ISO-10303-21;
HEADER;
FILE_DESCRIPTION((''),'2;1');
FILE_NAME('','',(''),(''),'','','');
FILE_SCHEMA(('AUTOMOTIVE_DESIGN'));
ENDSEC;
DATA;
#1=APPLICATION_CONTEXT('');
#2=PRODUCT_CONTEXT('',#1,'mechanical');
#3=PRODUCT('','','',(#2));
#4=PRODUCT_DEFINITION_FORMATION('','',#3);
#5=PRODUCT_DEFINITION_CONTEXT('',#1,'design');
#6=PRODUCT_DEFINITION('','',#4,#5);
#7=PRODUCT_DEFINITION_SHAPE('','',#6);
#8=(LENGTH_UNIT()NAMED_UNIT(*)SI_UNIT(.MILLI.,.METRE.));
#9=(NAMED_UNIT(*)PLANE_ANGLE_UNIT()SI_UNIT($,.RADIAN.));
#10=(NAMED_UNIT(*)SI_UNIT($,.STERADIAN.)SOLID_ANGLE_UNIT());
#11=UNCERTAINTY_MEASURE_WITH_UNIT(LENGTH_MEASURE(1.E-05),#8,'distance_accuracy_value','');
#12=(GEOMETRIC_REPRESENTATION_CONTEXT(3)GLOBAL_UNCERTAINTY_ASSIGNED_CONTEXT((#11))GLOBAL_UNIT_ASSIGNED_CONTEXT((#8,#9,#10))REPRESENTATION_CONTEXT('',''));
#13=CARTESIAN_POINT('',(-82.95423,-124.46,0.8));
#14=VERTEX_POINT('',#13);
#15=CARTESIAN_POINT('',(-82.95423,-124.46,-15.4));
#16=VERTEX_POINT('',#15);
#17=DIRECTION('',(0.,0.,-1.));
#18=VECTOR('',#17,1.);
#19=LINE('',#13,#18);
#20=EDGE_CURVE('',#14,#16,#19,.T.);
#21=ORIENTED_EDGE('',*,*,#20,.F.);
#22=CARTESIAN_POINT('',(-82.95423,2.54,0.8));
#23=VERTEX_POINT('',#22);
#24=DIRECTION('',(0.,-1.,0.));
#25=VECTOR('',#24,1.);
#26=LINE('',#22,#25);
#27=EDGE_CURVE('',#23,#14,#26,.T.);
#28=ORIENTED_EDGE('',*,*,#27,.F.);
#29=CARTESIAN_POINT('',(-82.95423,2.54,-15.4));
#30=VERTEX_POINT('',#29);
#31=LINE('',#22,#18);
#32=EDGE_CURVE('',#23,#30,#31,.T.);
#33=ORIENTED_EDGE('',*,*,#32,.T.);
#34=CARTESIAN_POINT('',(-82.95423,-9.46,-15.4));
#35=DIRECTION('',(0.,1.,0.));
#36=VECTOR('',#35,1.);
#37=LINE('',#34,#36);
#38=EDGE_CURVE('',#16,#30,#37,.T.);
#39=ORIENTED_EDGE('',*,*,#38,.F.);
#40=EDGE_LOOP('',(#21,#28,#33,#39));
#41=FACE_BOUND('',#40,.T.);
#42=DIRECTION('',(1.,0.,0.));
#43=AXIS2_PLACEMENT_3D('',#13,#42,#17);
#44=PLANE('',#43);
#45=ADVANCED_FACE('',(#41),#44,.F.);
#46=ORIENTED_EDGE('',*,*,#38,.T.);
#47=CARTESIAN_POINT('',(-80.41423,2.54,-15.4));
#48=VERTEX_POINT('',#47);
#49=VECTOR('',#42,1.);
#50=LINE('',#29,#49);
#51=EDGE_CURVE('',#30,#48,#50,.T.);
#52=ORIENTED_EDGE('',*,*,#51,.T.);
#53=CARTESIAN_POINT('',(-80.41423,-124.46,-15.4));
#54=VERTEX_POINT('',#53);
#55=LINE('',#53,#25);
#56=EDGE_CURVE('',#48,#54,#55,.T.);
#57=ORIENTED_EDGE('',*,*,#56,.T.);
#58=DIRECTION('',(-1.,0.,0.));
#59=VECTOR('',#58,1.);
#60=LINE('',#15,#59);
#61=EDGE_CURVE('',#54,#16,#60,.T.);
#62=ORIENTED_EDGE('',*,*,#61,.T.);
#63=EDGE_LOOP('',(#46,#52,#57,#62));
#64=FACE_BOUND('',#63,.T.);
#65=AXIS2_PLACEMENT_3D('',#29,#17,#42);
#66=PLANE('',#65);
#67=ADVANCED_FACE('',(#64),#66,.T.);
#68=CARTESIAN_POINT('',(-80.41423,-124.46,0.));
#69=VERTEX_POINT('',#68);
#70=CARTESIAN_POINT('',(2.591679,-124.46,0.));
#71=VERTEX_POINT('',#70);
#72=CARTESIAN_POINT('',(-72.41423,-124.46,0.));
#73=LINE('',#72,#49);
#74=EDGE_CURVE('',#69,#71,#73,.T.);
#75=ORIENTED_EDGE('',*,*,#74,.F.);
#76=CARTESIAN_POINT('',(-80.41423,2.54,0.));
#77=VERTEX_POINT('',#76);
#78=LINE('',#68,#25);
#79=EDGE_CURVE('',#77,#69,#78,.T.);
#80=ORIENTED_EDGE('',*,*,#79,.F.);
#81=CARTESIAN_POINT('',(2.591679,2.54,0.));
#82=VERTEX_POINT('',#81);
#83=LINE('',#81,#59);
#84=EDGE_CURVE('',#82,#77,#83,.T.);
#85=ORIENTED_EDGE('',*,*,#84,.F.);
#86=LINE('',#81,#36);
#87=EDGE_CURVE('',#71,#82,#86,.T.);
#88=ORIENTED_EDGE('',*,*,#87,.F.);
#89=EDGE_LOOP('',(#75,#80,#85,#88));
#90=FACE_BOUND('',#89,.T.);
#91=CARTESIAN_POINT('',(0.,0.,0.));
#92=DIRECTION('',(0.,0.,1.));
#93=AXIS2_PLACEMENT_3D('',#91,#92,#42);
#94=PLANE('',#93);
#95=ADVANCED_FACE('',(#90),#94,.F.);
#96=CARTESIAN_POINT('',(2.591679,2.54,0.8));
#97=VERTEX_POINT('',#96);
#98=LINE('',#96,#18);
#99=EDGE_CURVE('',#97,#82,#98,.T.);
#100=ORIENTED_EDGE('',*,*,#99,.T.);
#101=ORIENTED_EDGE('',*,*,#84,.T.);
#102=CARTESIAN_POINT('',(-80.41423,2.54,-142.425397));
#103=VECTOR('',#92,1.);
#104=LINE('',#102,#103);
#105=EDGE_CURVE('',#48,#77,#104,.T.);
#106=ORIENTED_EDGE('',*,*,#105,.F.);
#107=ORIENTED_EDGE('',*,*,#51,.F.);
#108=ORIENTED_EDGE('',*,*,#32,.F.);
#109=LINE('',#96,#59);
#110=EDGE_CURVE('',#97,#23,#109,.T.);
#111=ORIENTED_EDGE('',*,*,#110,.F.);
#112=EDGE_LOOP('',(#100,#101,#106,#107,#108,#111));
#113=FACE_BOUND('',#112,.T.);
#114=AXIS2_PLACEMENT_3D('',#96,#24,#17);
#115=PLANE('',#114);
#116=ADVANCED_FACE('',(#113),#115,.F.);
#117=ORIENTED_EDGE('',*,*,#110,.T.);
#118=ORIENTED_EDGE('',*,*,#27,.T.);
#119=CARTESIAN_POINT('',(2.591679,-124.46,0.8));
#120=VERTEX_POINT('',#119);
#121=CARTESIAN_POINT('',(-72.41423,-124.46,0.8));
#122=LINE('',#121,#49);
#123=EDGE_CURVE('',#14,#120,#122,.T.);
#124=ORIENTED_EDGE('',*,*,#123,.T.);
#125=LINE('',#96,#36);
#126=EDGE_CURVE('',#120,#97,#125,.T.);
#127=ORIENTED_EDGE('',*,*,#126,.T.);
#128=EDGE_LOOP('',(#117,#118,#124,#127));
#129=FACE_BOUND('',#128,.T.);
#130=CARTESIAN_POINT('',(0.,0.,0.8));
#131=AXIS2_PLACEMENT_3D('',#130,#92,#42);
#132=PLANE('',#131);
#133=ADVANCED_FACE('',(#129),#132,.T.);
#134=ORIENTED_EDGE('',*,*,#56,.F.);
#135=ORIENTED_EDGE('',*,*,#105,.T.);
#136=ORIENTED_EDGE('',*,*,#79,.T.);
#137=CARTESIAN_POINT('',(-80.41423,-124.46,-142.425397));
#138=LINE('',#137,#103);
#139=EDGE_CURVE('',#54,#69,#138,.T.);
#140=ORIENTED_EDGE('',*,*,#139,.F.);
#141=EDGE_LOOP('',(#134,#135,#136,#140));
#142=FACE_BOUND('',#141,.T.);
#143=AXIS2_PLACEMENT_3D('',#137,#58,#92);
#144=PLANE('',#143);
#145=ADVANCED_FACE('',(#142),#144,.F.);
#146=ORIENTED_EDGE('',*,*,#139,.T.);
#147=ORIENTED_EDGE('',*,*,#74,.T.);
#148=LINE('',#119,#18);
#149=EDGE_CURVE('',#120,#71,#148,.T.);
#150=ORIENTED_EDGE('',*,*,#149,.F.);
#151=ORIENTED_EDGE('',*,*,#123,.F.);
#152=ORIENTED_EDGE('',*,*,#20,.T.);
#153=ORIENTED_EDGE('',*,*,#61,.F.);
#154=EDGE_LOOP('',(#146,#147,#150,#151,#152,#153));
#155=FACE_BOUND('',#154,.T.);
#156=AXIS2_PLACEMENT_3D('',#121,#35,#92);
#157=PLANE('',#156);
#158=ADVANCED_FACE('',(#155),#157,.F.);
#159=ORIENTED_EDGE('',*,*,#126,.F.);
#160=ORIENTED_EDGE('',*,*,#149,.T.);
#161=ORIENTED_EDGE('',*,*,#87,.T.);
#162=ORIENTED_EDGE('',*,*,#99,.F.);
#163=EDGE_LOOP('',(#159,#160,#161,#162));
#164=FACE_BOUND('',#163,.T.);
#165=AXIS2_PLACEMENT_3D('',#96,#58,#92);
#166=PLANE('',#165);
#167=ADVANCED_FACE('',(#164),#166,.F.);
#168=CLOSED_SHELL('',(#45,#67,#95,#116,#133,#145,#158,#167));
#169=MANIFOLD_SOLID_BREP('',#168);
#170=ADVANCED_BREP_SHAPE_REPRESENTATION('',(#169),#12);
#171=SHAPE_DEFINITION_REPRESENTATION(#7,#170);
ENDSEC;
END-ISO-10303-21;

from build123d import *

# Parameters (mm, degrees)
BOSS_EXTRUDE1_DEPTH = 0.8
BOSS_EXTRUDE2_DEPTH = 0.8
BOSS_EXTRUDE3_DEPTH = 15.4


with BuildPart() as part:
    # Sketch1 → Boss-Extrude1 (new body)
    with BuildSketch(Plane.XY):
        Polygon((2.591679003, 2.54), (2.591679003, -124.46), (-72.414230485, -124.46), (-72.414230485, -121.92), (-72.414230485, 2.54), align=None)
    extrude(amount=BOSS_EXTRUDE1_DEPTH)

    # Sketch2 → Boss-Extrude2 (add)
    with BuildSketch(Plane.XY):
        Polygon((-72.414230485, -124.46), (-80.414230485, -124.46), (-82.954230485, -124.46), (-82.954230485, -112.46), (-82.954230485, 2.54), (-72.414230485, 2.54), (-72.414230485, -9.46), (-72.414230485, -112.46), align=None)
    extrude(amount=BOSS_EXTRUDE2_DEPTH)

    # Sketch3 → Boss-Extrude3 (add)
    with BuildSketch(Plane(origin=(0, 0, 0), x_dir=(-1, 0, 0), z_dir=(0, 0, -1))):
        Polygon((82.954230485, 2.54), (80.414230485, 2.54), (80.414230485, -9.46), (80.414230485, -112.46), (80.414230485, -124.46), (82.954230485, -124.46), (82.954230485, -112.46), (82.954230485, -9.46), align=None)
    extrude(amount=BOSS_EXTRUDE3_DEPTH)


solid = part.part
